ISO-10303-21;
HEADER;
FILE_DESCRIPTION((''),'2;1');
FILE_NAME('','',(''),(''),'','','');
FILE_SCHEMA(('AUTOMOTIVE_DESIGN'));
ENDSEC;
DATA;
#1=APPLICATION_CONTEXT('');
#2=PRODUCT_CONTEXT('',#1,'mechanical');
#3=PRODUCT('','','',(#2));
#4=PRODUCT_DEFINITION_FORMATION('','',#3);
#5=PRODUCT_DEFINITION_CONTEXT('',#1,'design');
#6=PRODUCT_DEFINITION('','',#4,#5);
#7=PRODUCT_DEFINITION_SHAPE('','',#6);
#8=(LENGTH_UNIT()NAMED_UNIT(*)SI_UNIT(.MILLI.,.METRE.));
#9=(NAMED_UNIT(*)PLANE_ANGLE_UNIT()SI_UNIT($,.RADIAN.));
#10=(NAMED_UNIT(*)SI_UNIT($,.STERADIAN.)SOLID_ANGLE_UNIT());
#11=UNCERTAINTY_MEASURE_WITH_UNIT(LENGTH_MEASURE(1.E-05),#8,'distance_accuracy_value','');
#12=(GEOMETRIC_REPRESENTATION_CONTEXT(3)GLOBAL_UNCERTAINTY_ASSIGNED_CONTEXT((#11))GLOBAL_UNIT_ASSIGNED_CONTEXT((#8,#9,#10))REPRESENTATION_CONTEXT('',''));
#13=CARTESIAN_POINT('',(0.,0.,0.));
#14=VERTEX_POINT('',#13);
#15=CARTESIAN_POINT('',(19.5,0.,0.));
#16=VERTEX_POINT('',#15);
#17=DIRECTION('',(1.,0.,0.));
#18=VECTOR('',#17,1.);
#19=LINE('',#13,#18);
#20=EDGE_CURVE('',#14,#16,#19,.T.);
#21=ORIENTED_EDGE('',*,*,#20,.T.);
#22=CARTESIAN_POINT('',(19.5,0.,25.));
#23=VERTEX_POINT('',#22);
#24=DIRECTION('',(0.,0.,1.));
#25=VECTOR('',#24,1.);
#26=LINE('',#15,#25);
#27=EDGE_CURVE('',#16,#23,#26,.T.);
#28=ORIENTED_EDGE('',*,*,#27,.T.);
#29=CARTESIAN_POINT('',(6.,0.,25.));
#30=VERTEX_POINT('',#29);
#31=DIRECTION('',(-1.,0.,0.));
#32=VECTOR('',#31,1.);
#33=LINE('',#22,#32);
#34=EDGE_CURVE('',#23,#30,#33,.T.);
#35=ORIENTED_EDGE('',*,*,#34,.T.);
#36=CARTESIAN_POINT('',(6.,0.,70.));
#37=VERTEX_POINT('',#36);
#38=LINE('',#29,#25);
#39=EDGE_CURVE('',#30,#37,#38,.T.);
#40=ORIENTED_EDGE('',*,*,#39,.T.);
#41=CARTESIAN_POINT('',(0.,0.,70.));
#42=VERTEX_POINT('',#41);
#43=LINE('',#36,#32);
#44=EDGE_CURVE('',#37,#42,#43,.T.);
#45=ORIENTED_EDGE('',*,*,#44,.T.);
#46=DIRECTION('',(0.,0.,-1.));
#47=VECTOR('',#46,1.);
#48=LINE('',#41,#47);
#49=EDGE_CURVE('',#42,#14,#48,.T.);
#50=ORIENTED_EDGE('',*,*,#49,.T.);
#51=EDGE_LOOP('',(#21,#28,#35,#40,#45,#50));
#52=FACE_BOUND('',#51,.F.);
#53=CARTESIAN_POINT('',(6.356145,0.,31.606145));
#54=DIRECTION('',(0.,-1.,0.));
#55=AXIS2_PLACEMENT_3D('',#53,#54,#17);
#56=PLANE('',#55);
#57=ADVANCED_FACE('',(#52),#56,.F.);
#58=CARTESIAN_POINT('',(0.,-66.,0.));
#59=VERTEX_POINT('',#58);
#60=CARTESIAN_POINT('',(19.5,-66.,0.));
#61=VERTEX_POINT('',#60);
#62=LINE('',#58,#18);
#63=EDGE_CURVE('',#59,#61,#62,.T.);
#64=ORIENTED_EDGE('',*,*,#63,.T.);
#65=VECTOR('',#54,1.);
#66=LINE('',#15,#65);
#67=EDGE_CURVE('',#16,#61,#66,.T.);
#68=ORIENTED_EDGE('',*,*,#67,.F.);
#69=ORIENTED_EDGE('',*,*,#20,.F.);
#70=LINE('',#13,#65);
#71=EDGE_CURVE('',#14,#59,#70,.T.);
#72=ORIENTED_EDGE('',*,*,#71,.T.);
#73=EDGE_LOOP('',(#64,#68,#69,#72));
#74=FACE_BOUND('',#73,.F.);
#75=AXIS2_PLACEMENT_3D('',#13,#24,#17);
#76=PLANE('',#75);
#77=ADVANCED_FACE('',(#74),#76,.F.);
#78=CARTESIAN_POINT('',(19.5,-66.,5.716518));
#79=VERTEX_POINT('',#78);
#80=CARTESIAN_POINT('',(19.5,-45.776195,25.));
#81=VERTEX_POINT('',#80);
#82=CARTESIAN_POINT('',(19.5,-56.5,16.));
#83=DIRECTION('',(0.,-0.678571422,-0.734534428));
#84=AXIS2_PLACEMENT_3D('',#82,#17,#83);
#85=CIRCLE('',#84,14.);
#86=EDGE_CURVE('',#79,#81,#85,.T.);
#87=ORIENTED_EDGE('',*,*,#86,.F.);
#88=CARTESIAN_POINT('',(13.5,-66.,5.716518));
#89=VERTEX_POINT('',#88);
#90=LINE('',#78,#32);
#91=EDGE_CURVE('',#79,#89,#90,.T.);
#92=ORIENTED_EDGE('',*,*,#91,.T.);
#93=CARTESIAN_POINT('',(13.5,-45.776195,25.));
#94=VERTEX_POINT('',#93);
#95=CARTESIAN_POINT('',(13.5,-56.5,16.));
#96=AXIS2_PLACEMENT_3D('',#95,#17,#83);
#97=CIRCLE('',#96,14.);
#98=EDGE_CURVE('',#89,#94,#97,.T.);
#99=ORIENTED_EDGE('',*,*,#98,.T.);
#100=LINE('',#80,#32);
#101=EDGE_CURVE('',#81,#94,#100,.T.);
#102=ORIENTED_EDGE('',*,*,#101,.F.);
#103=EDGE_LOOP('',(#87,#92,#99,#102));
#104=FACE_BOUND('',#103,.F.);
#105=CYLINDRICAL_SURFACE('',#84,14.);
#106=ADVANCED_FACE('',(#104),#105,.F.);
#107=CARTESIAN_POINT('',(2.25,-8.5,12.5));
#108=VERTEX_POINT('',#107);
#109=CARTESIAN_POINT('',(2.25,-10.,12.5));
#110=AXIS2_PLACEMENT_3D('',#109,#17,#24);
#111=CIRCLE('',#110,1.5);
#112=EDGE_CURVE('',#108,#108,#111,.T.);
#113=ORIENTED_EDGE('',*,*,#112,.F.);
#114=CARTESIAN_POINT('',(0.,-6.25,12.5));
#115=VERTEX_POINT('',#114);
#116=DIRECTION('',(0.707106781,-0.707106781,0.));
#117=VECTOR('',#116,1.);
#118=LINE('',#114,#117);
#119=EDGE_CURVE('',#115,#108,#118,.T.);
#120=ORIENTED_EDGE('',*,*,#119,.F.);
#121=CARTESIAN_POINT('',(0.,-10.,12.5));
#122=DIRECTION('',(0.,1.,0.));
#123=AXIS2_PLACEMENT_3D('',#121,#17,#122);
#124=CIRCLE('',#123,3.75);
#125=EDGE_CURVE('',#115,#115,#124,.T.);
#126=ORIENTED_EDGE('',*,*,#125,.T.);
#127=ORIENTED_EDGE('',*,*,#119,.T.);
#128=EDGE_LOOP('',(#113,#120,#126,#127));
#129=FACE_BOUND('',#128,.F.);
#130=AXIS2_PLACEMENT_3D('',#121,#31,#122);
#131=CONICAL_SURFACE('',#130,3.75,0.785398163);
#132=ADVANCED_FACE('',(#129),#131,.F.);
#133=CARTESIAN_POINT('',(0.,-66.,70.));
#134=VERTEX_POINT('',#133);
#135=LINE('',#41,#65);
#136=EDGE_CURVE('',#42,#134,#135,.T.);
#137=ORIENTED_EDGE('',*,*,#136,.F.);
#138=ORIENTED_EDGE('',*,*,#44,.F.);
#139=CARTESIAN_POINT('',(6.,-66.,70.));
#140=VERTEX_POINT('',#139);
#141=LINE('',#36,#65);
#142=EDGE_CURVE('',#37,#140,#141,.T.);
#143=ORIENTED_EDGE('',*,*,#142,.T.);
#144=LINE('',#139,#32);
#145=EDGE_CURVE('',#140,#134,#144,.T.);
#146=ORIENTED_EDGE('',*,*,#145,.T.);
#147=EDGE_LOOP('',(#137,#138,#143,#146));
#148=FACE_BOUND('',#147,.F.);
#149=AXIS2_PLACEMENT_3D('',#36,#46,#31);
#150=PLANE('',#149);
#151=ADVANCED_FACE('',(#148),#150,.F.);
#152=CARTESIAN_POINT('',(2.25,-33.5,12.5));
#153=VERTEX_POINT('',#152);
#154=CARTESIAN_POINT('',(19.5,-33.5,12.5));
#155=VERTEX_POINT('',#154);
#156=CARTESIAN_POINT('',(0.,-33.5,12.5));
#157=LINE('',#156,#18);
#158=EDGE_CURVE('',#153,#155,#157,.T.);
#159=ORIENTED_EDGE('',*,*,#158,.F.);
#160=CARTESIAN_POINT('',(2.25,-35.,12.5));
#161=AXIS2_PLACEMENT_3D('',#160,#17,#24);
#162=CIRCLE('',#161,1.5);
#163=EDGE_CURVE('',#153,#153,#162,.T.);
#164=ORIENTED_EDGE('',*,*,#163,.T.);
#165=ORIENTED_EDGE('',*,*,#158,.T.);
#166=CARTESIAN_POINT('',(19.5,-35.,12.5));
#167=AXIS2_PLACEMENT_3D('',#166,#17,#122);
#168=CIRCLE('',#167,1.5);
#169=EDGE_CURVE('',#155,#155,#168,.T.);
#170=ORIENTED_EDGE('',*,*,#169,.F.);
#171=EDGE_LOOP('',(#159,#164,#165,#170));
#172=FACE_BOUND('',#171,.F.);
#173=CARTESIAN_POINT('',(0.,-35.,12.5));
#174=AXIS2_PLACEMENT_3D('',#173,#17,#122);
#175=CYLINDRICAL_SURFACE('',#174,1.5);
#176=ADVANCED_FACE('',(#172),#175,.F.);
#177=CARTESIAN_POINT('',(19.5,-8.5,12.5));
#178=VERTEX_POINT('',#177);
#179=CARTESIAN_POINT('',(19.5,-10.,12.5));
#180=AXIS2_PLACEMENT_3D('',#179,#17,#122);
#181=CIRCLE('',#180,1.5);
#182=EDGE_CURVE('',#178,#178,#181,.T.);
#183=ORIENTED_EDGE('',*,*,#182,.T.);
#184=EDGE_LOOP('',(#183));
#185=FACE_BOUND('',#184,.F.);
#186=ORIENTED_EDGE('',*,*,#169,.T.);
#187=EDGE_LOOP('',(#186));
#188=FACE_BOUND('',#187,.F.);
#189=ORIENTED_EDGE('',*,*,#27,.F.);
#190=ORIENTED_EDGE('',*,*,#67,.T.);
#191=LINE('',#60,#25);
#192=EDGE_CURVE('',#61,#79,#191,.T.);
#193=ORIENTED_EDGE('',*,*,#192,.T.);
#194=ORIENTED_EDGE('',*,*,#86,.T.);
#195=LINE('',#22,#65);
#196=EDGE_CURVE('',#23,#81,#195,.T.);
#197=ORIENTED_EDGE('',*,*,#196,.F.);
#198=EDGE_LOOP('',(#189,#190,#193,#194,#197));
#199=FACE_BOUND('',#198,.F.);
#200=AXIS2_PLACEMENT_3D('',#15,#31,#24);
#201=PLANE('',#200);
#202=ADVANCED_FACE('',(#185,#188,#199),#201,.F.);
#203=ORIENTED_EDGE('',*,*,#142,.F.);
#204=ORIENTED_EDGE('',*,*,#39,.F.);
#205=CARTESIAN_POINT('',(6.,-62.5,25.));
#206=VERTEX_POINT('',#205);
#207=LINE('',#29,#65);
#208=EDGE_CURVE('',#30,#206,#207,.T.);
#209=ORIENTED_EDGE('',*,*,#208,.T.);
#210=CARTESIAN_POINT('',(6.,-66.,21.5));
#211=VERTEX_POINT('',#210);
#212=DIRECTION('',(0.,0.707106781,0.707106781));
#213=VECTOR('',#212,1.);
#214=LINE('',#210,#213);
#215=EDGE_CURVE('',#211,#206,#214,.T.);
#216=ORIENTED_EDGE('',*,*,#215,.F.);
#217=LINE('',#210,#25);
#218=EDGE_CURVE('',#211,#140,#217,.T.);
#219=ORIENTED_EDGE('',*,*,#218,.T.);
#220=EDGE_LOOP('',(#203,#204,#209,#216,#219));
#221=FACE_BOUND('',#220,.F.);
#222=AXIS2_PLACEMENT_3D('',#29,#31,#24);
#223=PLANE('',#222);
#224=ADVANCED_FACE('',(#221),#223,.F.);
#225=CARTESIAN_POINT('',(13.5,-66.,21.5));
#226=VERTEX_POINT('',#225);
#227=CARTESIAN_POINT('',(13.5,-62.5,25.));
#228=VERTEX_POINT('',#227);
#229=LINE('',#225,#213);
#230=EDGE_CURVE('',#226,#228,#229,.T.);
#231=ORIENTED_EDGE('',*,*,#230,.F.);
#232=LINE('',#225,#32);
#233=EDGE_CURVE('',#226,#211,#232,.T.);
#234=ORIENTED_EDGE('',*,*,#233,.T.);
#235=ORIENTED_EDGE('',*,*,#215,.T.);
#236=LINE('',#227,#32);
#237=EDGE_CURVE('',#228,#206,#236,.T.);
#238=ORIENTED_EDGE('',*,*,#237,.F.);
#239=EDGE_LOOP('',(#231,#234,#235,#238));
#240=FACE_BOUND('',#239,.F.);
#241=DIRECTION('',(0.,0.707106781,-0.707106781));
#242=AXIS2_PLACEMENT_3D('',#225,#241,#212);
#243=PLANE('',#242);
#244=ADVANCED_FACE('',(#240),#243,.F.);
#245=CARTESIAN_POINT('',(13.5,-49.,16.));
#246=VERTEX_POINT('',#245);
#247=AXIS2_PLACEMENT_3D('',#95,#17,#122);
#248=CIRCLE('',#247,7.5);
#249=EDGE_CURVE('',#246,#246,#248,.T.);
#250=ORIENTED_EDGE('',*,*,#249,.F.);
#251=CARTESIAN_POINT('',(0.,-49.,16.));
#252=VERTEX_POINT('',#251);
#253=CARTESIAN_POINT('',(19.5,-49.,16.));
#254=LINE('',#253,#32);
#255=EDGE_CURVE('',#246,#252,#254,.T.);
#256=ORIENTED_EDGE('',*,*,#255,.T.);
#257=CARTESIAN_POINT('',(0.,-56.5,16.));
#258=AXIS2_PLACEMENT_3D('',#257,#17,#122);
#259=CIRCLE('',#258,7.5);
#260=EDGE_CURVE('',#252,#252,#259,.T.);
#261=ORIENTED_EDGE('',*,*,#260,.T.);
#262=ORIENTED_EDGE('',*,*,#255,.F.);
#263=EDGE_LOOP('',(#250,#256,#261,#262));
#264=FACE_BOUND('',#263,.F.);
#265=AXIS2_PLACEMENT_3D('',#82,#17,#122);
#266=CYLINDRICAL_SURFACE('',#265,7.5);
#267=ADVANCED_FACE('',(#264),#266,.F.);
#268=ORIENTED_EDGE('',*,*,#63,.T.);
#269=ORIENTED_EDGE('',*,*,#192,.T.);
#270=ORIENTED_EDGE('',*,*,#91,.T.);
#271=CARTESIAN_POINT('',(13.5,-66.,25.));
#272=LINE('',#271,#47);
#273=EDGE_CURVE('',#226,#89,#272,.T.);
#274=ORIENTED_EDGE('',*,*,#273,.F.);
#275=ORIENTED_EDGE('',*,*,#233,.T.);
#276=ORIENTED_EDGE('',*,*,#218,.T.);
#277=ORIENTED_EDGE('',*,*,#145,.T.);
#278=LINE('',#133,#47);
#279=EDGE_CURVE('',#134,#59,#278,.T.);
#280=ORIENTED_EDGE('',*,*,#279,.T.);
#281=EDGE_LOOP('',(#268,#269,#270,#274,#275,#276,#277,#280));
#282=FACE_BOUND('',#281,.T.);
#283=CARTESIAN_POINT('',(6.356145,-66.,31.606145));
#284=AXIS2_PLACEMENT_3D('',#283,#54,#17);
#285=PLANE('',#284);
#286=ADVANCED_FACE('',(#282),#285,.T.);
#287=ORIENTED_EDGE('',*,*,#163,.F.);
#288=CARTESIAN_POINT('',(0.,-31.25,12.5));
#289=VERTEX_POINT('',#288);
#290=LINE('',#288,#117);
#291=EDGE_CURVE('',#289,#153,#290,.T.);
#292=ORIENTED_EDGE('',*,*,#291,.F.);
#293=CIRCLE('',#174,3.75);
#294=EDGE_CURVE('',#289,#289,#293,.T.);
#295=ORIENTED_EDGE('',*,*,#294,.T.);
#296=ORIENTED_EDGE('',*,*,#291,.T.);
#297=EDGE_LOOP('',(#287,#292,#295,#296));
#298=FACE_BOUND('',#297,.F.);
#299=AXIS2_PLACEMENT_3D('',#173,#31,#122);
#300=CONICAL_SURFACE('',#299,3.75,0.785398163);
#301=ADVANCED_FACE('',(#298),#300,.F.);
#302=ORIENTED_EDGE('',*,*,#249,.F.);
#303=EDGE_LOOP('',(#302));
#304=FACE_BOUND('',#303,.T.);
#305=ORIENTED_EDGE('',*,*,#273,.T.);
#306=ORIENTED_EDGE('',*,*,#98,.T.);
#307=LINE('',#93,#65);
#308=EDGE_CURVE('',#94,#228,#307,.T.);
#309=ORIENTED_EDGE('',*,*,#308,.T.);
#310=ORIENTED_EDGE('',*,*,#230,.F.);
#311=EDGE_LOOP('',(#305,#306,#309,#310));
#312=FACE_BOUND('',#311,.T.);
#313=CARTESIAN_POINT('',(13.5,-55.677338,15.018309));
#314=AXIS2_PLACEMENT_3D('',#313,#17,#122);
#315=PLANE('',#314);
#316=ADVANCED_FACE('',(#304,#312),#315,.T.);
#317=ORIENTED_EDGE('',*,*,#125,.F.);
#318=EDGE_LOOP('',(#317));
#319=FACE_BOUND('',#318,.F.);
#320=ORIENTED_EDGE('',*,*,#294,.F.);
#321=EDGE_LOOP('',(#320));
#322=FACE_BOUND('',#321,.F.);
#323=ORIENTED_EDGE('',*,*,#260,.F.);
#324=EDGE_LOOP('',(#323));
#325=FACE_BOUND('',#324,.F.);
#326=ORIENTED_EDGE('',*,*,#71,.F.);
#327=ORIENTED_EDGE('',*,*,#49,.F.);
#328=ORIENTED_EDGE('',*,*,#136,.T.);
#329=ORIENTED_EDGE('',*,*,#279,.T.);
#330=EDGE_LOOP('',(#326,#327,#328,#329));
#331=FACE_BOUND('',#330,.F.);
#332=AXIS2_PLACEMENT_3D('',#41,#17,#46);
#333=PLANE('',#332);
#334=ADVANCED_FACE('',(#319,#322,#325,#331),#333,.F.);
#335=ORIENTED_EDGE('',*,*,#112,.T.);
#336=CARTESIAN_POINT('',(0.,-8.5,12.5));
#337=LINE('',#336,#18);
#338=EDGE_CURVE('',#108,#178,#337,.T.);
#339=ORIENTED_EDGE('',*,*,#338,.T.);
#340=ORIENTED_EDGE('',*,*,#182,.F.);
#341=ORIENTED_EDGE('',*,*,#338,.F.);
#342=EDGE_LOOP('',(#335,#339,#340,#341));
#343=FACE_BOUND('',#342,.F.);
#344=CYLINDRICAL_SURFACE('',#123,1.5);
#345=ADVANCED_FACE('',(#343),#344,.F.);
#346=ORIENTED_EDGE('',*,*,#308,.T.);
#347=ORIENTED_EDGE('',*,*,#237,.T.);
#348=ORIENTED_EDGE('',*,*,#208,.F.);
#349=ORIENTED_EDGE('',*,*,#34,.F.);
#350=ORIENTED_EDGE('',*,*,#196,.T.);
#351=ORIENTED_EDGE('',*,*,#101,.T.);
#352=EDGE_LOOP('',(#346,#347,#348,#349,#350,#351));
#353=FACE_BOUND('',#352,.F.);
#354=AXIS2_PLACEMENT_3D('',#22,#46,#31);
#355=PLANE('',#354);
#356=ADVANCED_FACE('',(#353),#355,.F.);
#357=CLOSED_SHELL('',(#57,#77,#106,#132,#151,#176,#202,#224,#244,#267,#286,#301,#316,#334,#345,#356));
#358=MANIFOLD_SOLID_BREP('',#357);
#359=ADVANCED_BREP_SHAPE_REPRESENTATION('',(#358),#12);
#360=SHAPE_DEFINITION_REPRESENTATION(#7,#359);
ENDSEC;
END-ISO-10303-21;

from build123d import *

# Parameters (mm, degrees)
F1_DEPTH       = 66
F2_R           = 7.5
F3_DEPTH       = 19.501
F5_DEPTH       = 6
F7_DEPTH       = 7.5
F9_D           = 3
F9_CSINK_D     = 7.5
F9_CSINK_ANGLE = 90


with BuildPart() as f1:
    # F0 (on Front) → F1 (new body)
    with BuildSketch(Plane.XZ):
        Polygon((0, 70), (0, 0), (19.5, 0), (19.5, 25), (6, 25), (6, 70), align=None)
    extrude(amount=F1_DEPTH)

    # F2 (on face) → F3 (cut, through all)
    with BuildSketch(Plane.YZ.offset(19.5)):
        with Locations((-56.5, 16)):
            Circle(F2_R)
    extrude(amount=-F3_DEPTH, mode=Mode.SUBTRACT)

    # F4 (on face) → F5 (cut)
    with BuildSketch(Plane.YZ.offset(19.5)):
        with BuildLine():
            Line((-45.776195, 25), (-66, 25))
            Line((-66, 25), (-66, 5.716518))
            ThreePointArc((-66, 5.716518), (-46.838862, 5.867754), (-45.776195, 25))
        make_face()
    extrude(amount=-F5_DEPTH, mode=Mode.SUBTRACT)

    # F6 (on face) → F7 (cut)
    with BuildSketch(Plane.YZ.offset(13.5)):
        Polygon((-62.5, 25), (-66, 25), (-66, 21.5), align=None)
    extrude(amount=-F7_DEPTH, mode=Mode.SUBTRACT)

    # F9 (through all)
    with Locations(Plane(origin=(0, 0, 0), x_dir=(0, -1, 0), z_dir=(-1, 0, 0))):
        with Locations((10, 12.5), (35, 12.5)):
            CounterSinkHole(F9_D / 2, F9_CSINK_D / 2, counter_sink_angle=F9_CSINK_ANGLE)


solid = f1.part
